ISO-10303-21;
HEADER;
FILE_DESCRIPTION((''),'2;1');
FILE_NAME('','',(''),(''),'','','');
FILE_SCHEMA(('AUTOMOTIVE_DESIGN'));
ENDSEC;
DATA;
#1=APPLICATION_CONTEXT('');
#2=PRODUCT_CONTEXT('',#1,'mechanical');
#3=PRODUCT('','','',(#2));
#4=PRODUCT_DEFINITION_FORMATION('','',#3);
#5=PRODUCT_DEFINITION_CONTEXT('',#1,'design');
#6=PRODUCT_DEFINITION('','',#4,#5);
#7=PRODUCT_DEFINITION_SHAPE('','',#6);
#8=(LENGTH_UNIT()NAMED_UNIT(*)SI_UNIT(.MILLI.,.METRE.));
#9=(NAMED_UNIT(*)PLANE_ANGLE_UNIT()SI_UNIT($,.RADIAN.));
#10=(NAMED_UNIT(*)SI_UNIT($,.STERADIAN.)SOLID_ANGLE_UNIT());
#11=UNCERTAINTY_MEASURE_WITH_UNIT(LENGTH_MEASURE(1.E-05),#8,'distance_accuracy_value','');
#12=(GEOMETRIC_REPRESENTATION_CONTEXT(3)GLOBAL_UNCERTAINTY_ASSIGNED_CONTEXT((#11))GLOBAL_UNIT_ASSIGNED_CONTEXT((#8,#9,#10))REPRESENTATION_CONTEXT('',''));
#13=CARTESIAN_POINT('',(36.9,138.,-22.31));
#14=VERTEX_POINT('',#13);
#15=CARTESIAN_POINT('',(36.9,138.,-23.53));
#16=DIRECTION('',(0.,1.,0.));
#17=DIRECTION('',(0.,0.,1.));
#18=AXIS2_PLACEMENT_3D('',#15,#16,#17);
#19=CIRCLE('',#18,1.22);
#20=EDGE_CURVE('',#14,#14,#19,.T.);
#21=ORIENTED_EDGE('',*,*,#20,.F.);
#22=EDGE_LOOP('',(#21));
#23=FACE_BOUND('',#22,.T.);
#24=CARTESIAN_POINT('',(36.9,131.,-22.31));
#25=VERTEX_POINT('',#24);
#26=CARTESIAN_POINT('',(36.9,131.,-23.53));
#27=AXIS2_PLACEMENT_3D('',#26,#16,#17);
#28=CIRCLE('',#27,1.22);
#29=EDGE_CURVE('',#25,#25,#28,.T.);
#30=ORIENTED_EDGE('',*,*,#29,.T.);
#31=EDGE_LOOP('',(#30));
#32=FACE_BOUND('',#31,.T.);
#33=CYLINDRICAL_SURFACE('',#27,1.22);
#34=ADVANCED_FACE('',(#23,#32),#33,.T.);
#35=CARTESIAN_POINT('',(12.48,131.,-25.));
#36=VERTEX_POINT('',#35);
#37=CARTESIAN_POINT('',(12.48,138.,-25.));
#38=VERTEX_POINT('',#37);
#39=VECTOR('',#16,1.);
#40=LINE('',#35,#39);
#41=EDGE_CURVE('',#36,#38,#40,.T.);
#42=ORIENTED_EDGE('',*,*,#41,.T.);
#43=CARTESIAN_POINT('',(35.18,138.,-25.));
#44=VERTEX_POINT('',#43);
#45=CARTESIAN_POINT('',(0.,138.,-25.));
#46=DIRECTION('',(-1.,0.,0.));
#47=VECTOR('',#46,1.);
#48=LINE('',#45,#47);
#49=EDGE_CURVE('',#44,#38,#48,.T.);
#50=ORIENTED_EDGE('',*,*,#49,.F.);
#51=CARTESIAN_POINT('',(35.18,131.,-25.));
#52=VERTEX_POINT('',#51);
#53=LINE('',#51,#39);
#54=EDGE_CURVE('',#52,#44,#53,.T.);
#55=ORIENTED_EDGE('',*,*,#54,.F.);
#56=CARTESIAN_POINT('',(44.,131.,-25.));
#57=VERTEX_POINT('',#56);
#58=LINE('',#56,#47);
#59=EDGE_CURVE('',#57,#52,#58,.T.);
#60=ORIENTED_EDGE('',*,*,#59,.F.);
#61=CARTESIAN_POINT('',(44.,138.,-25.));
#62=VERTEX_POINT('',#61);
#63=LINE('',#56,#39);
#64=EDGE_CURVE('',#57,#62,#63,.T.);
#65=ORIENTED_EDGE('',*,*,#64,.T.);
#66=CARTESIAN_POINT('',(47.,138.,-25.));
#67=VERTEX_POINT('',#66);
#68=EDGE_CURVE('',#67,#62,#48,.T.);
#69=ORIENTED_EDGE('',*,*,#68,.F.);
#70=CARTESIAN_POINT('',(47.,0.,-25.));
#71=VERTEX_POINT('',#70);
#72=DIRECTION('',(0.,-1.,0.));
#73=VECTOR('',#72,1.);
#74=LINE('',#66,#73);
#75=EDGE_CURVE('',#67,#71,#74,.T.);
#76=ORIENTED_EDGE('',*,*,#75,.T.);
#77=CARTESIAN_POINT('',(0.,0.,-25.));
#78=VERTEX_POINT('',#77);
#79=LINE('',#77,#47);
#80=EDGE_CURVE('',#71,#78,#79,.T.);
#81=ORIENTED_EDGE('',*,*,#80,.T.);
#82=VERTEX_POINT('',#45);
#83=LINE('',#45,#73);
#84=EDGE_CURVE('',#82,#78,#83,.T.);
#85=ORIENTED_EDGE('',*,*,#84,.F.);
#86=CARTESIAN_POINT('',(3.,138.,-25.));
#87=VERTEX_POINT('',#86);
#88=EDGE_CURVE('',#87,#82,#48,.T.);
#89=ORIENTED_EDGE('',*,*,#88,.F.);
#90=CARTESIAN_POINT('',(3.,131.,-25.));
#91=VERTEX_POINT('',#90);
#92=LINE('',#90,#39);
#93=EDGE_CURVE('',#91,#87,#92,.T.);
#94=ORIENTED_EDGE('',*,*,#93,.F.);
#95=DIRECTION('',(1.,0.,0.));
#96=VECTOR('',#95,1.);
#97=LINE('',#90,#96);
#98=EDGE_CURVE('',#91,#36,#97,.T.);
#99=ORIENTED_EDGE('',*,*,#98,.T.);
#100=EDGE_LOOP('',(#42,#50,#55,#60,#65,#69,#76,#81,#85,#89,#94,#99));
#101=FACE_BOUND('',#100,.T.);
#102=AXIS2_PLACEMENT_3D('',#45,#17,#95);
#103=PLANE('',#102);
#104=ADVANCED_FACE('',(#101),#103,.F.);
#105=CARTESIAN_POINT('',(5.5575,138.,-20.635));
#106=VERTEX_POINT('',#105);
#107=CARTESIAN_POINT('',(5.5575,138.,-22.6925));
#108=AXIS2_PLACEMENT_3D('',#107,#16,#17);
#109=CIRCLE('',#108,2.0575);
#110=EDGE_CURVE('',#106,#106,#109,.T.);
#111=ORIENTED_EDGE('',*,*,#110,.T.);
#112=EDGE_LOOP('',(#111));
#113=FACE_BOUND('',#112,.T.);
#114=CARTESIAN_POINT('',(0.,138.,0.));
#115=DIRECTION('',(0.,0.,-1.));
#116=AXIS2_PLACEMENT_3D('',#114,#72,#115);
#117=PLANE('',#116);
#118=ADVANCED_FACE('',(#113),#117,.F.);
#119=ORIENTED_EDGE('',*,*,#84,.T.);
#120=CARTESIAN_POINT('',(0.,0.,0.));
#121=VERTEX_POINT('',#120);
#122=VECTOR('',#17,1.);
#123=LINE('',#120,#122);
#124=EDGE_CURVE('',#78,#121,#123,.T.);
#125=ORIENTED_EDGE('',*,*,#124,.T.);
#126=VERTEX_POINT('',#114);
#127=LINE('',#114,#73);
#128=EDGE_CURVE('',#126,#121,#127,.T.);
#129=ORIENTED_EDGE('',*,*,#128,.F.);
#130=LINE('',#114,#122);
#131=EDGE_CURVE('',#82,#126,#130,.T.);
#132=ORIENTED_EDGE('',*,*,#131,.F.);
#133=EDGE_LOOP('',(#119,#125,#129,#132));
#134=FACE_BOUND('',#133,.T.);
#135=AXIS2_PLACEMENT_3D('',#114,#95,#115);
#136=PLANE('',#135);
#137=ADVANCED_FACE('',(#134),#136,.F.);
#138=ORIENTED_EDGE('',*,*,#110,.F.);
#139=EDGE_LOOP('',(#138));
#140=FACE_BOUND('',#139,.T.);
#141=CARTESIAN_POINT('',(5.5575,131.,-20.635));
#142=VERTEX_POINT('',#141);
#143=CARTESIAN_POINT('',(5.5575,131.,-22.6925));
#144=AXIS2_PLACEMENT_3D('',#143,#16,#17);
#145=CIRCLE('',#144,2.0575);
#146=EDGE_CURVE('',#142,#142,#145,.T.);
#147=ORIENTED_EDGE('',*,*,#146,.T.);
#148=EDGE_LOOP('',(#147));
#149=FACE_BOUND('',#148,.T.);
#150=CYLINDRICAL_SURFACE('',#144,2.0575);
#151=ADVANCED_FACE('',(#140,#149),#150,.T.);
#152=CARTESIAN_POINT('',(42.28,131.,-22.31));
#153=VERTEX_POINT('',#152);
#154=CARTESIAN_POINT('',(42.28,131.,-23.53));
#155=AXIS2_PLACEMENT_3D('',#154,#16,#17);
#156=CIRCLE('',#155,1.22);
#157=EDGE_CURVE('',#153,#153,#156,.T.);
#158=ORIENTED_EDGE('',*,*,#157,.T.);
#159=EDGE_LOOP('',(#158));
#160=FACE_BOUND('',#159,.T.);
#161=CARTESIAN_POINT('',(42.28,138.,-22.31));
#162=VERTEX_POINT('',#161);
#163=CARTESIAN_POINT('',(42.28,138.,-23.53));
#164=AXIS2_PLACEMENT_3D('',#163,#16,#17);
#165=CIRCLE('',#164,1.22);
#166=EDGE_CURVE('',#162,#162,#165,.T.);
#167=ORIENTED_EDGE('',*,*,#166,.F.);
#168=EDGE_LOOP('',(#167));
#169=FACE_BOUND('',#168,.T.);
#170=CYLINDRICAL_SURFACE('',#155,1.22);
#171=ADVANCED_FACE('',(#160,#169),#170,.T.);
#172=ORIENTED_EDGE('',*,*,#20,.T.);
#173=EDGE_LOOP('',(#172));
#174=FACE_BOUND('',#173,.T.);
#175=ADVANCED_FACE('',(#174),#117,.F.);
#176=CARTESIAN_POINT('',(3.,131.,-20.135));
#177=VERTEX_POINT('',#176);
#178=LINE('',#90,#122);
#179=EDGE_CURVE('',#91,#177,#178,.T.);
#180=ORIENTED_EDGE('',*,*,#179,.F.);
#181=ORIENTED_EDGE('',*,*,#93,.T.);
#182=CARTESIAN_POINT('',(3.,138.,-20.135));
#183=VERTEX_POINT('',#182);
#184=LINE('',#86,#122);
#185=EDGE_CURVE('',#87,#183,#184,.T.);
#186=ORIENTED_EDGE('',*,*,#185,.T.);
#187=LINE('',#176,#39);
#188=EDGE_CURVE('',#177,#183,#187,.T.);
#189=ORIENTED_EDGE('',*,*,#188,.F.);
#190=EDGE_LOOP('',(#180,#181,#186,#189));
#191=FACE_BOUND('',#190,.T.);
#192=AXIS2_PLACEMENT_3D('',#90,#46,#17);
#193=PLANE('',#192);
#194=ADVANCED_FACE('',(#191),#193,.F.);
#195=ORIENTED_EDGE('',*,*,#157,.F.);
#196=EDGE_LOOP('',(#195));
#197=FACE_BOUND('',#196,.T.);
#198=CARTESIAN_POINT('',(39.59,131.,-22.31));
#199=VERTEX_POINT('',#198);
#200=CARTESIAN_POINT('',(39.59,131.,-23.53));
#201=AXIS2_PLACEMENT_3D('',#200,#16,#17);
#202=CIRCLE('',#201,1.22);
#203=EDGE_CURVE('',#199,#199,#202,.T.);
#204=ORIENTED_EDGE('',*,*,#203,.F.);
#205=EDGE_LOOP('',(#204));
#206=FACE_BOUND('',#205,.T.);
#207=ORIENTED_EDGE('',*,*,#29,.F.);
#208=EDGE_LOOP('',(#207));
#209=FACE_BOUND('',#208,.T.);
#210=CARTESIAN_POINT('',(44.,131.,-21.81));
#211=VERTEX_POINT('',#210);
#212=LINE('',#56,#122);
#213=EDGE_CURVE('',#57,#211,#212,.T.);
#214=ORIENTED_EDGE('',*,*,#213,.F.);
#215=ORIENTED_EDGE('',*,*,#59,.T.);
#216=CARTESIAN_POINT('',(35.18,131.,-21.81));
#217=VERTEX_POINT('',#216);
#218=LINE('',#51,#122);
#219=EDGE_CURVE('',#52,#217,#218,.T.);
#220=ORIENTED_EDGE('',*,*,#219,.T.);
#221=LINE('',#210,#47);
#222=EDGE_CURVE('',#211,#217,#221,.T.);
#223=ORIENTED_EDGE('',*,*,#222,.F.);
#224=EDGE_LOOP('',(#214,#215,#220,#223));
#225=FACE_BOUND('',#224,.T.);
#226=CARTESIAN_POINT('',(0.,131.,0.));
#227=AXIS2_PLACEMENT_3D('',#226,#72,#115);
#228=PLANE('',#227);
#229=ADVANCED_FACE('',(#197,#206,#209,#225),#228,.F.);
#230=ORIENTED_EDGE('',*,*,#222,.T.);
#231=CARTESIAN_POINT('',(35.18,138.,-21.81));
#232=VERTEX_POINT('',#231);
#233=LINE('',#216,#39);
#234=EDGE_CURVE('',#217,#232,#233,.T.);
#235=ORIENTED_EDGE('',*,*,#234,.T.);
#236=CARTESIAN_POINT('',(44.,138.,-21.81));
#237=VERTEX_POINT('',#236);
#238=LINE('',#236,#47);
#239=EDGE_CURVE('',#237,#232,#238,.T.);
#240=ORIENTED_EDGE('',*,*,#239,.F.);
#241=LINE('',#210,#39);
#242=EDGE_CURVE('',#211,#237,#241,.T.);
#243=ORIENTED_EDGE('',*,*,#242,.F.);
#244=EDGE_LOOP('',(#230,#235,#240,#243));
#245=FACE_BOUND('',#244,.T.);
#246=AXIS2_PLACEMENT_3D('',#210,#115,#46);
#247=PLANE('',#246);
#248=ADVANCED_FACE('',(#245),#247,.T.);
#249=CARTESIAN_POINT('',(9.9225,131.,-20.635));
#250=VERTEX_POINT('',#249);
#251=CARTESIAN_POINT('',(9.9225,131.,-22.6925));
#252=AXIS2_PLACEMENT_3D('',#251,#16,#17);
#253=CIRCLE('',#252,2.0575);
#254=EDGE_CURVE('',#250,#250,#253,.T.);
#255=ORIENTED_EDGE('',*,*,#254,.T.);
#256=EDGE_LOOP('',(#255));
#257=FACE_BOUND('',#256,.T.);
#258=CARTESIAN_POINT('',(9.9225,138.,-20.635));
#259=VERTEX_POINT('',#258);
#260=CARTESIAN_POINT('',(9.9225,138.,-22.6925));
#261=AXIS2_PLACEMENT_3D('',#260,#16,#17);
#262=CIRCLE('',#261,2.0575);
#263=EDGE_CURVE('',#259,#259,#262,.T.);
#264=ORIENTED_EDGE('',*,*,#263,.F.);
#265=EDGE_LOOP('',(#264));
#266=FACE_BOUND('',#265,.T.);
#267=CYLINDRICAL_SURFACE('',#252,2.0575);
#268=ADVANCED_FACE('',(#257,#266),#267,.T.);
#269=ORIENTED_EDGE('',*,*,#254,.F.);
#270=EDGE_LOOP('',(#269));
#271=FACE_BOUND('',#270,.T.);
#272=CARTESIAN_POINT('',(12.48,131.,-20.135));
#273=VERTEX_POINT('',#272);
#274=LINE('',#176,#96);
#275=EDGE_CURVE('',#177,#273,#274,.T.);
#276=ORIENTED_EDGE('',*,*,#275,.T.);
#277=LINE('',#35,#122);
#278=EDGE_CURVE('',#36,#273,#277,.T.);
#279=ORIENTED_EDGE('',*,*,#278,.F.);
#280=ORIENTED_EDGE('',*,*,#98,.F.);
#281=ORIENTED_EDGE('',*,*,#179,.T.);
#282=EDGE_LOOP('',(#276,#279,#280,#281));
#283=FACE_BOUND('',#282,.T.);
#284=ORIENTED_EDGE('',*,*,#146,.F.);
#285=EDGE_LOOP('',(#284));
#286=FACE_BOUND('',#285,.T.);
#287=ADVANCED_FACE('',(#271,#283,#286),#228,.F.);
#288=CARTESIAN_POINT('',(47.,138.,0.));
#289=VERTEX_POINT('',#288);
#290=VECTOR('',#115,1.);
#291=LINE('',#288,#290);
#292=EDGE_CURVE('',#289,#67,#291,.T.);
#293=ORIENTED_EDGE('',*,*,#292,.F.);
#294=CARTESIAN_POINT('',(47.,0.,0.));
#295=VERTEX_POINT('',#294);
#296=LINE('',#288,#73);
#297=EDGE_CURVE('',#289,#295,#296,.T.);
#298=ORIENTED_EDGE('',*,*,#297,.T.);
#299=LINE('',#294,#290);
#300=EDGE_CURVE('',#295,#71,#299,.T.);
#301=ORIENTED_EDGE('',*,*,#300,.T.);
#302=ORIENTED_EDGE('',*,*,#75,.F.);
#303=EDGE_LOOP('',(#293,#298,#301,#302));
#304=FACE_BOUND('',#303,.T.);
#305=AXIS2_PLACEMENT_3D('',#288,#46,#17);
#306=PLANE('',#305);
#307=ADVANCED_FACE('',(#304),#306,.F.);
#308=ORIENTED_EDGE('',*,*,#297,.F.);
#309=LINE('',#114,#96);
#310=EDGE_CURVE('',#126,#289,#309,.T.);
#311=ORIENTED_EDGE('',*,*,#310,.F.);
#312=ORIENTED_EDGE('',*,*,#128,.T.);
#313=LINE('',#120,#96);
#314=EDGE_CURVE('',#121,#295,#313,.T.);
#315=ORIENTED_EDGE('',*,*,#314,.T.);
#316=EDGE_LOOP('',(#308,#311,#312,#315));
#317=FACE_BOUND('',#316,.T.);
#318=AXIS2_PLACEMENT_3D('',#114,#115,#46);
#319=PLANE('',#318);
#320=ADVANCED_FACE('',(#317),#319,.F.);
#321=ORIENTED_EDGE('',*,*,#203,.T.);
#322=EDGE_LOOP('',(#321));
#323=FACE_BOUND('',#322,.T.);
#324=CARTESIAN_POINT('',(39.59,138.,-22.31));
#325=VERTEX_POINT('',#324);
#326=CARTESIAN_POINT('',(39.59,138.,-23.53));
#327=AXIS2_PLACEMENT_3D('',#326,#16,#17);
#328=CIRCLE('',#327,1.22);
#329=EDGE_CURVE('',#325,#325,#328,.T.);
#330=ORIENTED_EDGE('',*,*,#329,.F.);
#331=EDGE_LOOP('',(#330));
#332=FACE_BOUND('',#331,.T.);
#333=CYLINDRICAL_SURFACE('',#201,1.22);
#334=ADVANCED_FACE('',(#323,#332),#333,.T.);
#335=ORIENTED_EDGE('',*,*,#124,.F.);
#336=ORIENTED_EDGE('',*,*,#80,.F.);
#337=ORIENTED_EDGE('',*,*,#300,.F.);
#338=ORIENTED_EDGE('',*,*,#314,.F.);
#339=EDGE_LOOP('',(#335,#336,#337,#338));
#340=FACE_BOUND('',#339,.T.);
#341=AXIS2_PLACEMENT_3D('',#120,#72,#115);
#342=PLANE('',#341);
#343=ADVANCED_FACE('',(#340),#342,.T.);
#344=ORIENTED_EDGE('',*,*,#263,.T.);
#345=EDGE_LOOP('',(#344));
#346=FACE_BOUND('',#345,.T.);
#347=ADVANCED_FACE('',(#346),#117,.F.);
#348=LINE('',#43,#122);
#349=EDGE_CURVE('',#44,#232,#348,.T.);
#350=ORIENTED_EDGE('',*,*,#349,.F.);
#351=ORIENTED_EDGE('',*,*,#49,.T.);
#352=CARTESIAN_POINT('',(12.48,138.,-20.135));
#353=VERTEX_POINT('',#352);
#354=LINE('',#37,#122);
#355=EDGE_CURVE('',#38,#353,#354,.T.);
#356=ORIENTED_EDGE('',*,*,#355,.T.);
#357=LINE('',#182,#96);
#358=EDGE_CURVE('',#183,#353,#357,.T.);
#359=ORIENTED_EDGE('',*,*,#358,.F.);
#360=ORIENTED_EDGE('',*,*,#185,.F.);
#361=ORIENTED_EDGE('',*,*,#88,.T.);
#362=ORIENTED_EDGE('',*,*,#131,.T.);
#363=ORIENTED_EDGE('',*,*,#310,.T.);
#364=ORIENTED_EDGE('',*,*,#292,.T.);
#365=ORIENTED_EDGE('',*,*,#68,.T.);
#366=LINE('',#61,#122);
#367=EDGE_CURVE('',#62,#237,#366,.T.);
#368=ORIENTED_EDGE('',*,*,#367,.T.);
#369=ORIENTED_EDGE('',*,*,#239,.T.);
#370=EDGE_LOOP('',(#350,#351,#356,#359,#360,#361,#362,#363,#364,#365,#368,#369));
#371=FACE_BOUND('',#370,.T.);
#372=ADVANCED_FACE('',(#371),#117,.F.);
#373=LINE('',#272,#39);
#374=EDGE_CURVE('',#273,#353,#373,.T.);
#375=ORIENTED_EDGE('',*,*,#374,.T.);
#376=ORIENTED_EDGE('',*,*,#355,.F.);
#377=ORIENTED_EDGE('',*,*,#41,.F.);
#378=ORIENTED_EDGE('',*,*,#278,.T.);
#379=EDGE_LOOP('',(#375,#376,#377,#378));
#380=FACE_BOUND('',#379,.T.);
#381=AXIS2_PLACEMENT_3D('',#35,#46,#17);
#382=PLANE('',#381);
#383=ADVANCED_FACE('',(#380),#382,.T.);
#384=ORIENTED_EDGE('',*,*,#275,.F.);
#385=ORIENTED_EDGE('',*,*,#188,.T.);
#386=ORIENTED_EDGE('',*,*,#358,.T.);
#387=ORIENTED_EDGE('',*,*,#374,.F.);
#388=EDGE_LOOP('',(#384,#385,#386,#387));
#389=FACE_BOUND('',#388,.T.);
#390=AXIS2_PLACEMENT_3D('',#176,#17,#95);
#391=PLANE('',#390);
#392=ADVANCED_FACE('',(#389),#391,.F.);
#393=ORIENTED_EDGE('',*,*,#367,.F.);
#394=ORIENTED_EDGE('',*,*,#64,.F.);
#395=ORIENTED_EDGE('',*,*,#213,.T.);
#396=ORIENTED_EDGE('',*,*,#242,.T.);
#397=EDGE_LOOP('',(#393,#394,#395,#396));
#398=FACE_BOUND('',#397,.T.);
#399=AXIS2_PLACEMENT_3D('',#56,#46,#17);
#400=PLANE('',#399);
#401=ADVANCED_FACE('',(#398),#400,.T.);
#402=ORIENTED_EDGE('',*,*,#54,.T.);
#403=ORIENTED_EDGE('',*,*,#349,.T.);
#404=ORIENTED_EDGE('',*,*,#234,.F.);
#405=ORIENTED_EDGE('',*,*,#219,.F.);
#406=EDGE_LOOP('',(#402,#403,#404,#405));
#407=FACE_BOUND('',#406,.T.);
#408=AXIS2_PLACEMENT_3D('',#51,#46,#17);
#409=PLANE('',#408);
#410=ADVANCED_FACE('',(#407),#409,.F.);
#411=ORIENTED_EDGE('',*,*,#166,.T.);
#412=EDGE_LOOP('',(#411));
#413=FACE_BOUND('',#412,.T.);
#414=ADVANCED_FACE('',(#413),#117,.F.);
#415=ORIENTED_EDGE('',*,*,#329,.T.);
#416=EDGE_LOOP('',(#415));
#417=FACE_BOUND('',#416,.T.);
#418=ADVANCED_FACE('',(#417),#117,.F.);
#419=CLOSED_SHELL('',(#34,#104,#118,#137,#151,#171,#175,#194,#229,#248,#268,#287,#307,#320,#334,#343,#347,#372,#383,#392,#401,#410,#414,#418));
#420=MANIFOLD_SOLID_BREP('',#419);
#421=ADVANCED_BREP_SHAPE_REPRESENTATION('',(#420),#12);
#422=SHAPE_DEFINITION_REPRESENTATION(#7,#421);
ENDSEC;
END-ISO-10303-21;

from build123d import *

# Parameters (mm, degrees)
SKETCH1_W           = 47
SKETCH1_H           = 25
BOSS_EXTRUDE1_DEPTH = 138
SKETCH2_W           = 9.48
SKETCH2_H           = 4.865
SKETCH2_R           = 2.0575
SKETCH2_W_2         = 8.82
SKETCH2_H_2         = 3.19
SKETCH2_R_2         = 1.22
CUT_EXTRUDE1_DEPTH  = 7


with BuildPart() as part:
    # Sketch1 → Boss-Extrude1 (new body)
    with BuildSketch(Plane(origin=(0, 0, 0), x_dir=(1, 0, 0), z_dir=(0, 1, 0))):
        with Locations((23.5, 12.5)):
            Rectangle(SKETCH1_W, SKETCH1_H)
    extrude(amount=BOSS_EXTRUDE1_DEPTH)

    # Sketch2 → Cut-Extrude1 (cut)
    with BuildSketch(Plane(origin=(0, 138, 0), x_dir=(1, 0, 0), z_dir=(0, 1, 0))):
        with Locations((7.74, 22.5675)):
            Rectangle(SKETCH2_W, SKETCH2_H)
        with Locations((5.5575, 22.6925)):
            Circle(SKETCH2_R, mode=Mode.SUBTRACT)
        with Locations((9.9225, 22.6925)):
            Circle(SKETCH2_R, mode=Mode.SUBTRACT)
        with Locations((39.59, 23.405)):
            Rectangle(SKETCH2_W_2, SKETCH2_H_2)
        with Locations((36.9, 23.53)):
            Circle(SKETCH2_R_2, mode=Mode.SUBTRACT)
        with Locations((39.59, 23.53)):
            Circle(SKETCH2_R_2, mode=Mode.SUBTRACT)
        with Locations((42.28, 23.53)):
            Circle(SKETCH2_R_2, mode=Mode.SUBTRACT)
    extrude(amount=-CUT_EXTRUDE1_DEPTH, mode=Mode.SUBTRACT)


solid = part.part
